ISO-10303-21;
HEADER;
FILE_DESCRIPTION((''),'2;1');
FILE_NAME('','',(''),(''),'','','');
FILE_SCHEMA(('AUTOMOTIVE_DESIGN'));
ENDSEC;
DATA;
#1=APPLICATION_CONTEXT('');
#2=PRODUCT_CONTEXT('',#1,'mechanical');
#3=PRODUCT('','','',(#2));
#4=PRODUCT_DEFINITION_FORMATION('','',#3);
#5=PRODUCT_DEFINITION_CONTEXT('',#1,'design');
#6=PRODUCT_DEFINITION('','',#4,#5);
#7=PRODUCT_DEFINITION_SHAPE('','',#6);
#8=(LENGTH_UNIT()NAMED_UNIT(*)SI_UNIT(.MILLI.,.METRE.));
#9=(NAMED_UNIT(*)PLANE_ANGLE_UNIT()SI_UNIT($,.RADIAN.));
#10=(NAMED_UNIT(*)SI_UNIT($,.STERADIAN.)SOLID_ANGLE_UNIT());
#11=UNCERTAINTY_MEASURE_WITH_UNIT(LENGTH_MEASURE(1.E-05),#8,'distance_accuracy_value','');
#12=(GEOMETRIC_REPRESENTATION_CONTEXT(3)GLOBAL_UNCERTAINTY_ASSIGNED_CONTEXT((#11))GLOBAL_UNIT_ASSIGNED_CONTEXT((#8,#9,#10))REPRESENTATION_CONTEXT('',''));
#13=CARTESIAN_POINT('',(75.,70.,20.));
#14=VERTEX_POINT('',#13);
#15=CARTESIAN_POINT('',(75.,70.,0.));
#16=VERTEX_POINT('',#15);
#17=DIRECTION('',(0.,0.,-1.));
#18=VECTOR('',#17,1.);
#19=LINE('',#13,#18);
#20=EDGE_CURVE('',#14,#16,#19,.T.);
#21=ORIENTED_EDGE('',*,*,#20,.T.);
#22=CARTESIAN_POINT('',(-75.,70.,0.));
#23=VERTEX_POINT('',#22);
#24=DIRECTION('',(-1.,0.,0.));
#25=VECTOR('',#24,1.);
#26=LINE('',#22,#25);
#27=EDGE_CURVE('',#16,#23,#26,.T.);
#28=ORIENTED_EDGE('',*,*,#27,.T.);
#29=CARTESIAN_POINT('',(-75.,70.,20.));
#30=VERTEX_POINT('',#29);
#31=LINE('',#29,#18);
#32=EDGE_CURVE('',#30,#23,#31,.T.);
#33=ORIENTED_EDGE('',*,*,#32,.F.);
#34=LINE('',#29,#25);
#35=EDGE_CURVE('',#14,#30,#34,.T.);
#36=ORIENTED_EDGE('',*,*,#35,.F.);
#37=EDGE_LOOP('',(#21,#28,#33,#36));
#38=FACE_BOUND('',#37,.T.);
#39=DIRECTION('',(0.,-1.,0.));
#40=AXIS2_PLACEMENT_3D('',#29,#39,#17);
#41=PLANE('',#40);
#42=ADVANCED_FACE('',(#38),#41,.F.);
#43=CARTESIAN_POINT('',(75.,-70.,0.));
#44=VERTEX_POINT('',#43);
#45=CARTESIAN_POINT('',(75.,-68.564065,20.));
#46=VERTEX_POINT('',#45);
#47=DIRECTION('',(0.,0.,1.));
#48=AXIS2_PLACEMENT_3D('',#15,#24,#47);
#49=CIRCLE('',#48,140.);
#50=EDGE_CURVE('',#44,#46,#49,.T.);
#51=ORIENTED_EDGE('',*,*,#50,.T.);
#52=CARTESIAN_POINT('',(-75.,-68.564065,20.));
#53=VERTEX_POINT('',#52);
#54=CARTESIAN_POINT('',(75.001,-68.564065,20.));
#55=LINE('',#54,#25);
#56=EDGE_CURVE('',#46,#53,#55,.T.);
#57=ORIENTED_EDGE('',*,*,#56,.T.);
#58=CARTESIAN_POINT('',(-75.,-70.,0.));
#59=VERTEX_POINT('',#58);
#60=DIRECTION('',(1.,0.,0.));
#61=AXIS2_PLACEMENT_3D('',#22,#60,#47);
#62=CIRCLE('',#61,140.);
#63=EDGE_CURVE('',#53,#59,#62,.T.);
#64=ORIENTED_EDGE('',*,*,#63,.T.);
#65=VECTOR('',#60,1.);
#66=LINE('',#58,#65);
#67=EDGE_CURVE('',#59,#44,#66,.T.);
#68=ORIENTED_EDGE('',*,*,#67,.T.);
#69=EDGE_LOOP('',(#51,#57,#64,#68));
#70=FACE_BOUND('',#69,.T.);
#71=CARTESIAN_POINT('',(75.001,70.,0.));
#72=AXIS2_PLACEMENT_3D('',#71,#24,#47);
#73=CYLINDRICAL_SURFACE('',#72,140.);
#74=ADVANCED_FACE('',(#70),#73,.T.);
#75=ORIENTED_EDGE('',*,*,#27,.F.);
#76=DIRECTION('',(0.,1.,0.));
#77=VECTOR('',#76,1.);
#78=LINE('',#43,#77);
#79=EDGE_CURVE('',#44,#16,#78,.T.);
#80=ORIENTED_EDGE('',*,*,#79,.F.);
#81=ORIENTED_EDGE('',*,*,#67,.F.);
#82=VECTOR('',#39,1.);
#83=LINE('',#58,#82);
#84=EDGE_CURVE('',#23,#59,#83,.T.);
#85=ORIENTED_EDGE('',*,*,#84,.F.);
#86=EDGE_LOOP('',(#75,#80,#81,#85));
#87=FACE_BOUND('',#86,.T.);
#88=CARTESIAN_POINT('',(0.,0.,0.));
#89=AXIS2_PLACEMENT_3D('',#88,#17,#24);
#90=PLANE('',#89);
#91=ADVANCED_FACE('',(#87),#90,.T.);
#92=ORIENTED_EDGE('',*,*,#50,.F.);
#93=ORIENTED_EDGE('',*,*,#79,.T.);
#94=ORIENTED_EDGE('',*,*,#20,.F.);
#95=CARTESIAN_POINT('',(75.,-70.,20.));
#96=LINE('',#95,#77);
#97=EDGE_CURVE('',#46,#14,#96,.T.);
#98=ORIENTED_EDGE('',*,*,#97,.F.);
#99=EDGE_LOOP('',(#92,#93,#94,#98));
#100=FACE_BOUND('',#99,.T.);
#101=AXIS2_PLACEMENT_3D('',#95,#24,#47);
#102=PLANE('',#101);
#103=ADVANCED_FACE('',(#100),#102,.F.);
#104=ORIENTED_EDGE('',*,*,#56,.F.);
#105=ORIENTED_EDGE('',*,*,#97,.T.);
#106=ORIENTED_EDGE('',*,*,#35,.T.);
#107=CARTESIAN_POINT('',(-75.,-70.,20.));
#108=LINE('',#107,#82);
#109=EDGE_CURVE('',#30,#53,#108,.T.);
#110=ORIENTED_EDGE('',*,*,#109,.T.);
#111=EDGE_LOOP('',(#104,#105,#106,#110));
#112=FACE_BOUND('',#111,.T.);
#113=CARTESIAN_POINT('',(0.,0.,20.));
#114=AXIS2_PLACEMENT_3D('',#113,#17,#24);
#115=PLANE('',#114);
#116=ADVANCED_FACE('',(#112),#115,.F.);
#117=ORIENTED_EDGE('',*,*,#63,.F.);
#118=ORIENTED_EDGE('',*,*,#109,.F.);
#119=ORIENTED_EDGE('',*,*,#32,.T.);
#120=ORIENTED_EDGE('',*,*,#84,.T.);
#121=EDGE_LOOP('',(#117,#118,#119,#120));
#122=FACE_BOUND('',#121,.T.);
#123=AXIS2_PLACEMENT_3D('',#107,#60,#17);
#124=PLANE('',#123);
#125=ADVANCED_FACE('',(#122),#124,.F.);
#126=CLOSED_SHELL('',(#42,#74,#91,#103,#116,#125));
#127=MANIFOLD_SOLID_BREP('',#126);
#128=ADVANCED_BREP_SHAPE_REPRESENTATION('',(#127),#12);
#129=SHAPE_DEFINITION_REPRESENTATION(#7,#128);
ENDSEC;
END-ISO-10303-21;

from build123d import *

# Parameters (mm, degrees)
SKETCH1_W           = 150
SKETCH1_H           = 140
BOSS_EXTRUDE1_DEPTH = 20
CUT_EXTRUDE1_REACH  = 168.733


with BuildPart() as part:
    # Sketch1 → Boss-Extrude1 (new body)
    with BuildSketch(Plane.XY):
        Rectangle(SKETCH1_W, SKETCH1_H)
    extrude(amount=BOSS_EXTRUDE1_DEPTH)

    # Sketch2 → Cut-Extrude1 (cut, up to next)
    with BuildSketch(Plane.ZY.offset(75), mode=Mode.PRIVATE) as cut_extrude1_sk1:
        with BuildLine():
            Line((20, -68.564064606), (20, -70))
            Line((20, -70), (0, -70))
            ThreePointArc((0, -70), (10.025740751, -69.64055472), (20, -68.564064606))
        make_face()
    cut_extrude1_tool1 = extrude(cut_extrude1_sk1.sketch, amount=-CUT_EXTRUDE1_REACH, mode=Mode.PRIVATE) & part.part
    add(cut_extrude1_tool1.solids().sort_by_distance((-75, -69.569601, 15.005143))[0], mode=Mode.SUBTRACT)


solid = part.part
